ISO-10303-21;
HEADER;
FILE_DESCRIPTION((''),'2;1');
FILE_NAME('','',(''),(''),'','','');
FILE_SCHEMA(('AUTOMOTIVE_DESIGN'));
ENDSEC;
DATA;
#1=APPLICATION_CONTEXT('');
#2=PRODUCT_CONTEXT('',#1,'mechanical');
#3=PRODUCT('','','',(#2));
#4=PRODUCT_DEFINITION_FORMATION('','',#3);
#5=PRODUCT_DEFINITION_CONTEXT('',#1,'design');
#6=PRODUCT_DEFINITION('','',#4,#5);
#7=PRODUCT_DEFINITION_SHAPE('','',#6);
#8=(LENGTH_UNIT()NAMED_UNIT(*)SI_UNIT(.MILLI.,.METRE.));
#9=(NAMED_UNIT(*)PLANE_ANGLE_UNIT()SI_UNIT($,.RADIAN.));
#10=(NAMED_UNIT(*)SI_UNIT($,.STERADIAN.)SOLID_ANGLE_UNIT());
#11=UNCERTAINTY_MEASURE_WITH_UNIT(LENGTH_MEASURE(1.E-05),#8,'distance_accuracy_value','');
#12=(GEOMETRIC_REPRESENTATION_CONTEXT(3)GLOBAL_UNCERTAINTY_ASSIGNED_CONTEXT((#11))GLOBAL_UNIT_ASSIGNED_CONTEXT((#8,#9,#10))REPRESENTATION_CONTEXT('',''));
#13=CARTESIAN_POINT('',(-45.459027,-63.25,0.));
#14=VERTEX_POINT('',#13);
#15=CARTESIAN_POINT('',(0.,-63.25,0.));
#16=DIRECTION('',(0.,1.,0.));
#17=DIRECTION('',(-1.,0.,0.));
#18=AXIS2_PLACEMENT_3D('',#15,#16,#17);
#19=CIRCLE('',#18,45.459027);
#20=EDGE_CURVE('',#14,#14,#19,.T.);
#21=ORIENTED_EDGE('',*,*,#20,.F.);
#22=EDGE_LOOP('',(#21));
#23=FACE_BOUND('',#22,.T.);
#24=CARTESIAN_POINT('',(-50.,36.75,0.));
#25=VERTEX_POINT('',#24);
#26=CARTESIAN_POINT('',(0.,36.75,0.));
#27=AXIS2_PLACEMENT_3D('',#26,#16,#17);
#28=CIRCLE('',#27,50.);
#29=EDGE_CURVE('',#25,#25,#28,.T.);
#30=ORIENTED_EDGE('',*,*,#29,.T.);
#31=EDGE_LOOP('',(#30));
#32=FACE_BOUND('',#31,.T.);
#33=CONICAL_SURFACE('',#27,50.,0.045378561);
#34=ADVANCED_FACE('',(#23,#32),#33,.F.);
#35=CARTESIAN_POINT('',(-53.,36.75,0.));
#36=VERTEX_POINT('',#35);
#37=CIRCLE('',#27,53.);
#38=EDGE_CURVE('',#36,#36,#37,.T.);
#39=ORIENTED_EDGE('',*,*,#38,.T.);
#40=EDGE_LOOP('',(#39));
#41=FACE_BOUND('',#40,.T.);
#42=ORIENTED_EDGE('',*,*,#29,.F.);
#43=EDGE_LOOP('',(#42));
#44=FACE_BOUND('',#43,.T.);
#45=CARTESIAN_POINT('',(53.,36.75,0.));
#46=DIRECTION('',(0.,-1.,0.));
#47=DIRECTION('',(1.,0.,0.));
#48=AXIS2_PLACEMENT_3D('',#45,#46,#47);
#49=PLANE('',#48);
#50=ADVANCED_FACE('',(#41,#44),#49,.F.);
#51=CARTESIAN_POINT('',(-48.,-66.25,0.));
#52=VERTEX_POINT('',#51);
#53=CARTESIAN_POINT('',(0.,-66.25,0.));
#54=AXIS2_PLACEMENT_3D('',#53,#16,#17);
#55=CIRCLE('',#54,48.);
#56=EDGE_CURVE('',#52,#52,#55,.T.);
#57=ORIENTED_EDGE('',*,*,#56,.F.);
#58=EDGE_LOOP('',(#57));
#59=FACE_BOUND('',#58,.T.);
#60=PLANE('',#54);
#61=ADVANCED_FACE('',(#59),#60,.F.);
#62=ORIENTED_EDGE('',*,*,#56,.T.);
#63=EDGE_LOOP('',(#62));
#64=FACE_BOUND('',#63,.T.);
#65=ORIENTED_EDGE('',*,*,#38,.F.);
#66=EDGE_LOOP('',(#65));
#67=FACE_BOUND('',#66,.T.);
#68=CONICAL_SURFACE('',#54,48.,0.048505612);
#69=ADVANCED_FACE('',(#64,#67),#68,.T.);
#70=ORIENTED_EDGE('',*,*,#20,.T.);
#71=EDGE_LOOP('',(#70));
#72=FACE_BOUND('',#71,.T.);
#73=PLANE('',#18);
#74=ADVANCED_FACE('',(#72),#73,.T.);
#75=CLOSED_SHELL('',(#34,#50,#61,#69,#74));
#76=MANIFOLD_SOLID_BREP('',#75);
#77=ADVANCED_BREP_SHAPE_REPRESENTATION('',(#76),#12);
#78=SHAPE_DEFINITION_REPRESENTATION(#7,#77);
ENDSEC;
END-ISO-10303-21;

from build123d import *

# Parameters (mm, degrees)
SKETCH3_R          = 50
CUT_EXTRUDE1_DEPTH = 100
CUT_EXTRUDE1_DRAFT = -2.6


with BuildPart() as part:
    # Sketch1 → Revolve1 (revolve)
    with BuildSketch(Plane.XY, mode=Mode.PRIVATE) as revolve1_sk:
        Polygon((0, 36.75), (0, -66.25), (48, -66.25), (53, 36.75), align=None)
    revolve(revolve1_sk.sketch.rotate(Axis((0, 36.75, 0), (0, -1, 0)), 180), axis=Axis((0, 36.75, 0), (0, -1, 0)))


with BuildPart() as cut_extrude1_tool:
    # Sketch3 → Cut-Extrude1 (with draft: the straight prism first)
    with BuildSketch(Plane(origin=(0, 36.75, 0), x_dir=(1, 0, 0), z_dir=(0, 1, 0))):
        Circle(SKETCH3_R)
    extrude(amount=-CUT_EXTRUDE1_DEPTH)
    # Cut-Extrude1: the draft: its side faces are tilted about the plane it starts from
    cut_extrude1_sides = [cut_extrude1_tool.faces().sort_by_distance(p)[0] for p in [
        (-50, -13.25, 0),
    ]]
    draft(cut_extrude1_sides, Plane(origin=(0, 36.75, 0), x_dir=(1, 0, 0), z_dir=(0, 1, 0)), CUT_EXTRUDE1_DRAFT)


with BuildPart() as part_1:
    add(part.part)

    # Cut-Extrude1: cut by cut_extrude1_tool
    add(cut_extrude1_tool.part, mode=Mode.SUBTRACT)


solid = part_1.part
